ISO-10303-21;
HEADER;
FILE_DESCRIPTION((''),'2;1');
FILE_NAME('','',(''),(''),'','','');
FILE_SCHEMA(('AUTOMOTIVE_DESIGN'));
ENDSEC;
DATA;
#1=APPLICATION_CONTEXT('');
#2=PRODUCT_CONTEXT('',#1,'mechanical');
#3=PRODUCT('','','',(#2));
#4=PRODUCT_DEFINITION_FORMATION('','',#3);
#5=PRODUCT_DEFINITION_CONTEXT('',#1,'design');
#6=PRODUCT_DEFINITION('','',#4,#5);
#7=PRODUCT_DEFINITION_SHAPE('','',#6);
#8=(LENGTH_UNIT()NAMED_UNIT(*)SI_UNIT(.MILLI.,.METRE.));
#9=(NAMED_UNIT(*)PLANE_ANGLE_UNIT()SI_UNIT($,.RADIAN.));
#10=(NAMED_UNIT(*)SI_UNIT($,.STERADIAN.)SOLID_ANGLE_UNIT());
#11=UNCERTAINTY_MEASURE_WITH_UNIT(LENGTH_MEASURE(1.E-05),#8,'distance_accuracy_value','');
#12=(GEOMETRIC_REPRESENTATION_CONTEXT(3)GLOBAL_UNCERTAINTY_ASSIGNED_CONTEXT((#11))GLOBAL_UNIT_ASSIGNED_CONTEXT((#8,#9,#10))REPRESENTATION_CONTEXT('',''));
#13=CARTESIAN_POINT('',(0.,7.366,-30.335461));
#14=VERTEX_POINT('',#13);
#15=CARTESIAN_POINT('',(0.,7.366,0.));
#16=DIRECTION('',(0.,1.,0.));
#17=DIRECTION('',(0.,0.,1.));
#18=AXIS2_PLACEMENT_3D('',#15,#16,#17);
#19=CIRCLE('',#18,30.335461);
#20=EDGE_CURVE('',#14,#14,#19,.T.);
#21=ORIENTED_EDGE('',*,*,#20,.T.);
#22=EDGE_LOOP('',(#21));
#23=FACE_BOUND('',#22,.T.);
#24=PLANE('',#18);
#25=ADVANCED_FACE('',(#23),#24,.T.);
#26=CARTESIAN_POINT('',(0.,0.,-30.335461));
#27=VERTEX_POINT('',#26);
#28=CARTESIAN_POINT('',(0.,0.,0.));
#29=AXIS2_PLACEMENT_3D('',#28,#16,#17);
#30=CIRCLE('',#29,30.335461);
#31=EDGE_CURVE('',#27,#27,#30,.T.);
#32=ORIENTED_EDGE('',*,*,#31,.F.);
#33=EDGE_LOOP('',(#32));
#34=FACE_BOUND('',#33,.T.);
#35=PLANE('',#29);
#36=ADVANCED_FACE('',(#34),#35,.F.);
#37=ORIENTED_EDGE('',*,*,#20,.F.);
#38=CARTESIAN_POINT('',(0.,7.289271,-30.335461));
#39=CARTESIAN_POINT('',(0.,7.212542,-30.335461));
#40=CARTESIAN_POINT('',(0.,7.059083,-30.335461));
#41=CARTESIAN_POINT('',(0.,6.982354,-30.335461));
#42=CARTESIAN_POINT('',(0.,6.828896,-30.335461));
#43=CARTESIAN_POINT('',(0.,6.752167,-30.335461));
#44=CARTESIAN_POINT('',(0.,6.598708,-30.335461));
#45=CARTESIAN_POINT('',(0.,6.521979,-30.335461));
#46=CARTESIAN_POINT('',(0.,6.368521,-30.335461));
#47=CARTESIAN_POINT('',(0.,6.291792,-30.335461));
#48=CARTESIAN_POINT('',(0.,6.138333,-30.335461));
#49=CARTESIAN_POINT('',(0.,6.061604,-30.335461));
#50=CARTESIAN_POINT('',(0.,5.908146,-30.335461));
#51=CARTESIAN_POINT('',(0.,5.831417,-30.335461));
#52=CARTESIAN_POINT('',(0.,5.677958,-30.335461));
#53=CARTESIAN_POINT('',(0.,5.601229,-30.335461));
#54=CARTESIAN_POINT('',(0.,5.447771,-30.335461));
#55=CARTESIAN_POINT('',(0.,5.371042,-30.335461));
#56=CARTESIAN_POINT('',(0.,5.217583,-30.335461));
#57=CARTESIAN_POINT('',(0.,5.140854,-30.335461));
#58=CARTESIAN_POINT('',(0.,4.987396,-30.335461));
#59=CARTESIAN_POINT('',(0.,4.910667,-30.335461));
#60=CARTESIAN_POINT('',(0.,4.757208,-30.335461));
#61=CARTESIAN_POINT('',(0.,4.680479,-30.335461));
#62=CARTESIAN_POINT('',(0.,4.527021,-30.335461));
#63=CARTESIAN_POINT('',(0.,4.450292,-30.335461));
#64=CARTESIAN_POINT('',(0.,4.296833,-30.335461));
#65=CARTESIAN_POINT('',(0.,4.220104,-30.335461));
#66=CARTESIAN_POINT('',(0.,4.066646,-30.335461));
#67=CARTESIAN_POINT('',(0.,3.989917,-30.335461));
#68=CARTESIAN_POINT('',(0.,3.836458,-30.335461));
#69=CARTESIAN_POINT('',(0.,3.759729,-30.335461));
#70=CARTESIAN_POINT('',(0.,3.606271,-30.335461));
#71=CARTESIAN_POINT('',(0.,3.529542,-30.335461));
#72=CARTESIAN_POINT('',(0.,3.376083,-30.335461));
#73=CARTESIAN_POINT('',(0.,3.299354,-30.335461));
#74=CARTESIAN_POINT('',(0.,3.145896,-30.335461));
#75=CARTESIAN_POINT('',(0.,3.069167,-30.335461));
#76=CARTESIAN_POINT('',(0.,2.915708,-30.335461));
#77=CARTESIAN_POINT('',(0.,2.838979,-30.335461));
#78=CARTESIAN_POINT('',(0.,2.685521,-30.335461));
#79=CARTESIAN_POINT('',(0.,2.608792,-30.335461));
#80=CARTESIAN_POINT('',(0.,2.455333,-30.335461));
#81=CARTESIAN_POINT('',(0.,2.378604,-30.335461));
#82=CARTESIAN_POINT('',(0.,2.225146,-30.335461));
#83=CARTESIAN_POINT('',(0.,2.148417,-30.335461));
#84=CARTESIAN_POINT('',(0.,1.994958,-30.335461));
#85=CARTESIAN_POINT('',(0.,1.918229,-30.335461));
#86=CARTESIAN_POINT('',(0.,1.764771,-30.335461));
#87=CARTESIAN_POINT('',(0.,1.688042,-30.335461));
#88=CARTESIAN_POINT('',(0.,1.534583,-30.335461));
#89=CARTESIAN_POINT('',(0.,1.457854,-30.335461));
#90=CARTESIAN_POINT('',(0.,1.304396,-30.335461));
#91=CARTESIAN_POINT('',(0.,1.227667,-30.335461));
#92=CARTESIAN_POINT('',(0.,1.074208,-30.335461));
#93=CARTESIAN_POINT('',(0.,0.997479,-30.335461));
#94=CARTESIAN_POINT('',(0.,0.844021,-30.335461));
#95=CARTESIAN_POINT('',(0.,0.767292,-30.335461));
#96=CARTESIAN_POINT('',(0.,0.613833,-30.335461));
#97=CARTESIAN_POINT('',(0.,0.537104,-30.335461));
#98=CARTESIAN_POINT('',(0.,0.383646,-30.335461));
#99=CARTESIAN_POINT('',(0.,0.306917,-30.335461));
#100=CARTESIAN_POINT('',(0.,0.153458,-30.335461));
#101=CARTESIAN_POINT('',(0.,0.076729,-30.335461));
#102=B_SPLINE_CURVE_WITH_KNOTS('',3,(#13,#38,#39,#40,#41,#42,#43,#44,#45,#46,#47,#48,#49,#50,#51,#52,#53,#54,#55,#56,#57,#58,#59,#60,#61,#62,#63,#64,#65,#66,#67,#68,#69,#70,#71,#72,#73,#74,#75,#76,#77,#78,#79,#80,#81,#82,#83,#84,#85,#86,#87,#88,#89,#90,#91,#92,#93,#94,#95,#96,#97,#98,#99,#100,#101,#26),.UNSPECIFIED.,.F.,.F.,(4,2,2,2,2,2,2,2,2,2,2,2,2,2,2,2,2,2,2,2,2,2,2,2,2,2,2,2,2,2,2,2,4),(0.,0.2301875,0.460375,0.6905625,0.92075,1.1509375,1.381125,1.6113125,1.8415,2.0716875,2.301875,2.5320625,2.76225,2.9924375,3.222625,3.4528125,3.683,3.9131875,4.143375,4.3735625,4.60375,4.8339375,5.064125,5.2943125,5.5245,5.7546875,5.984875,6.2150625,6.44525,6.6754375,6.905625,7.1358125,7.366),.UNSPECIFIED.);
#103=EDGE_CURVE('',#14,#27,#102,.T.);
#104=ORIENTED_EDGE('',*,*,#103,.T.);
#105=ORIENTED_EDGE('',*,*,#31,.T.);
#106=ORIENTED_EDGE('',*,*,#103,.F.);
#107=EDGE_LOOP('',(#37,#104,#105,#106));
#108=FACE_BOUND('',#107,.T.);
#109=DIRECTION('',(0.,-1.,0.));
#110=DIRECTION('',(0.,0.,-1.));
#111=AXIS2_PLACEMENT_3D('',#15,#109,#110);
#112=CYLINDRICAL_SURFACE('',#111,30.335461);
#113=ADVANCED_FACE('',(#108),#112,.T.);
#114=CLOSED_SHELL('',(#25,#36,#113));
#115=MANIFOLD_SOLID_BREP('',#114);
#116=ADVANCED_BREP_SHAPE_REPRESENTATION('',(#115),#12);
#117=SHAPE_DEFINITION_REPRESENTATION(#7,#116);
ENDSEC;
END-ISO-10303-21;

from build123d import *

# Parameters (mm, degrees)
SKETCH1_R    = 30.335461419
GEAR_1_DEPTH = 7.366


with BuildPart() as part:
    # Sketch1 → Gear 1 (new body)
    with BuildSketch(Plane(origin=(0, 0, 0), x_dir=(1, 0, 0), z_dir=(0, 1, 0))):
        with Locations(Location((0, 0, 0), (0, 0, 90))):
            Circle(SKETCH1_R)
    extrude(amount=GEAR_1_DEPTH)


solid = part.part
